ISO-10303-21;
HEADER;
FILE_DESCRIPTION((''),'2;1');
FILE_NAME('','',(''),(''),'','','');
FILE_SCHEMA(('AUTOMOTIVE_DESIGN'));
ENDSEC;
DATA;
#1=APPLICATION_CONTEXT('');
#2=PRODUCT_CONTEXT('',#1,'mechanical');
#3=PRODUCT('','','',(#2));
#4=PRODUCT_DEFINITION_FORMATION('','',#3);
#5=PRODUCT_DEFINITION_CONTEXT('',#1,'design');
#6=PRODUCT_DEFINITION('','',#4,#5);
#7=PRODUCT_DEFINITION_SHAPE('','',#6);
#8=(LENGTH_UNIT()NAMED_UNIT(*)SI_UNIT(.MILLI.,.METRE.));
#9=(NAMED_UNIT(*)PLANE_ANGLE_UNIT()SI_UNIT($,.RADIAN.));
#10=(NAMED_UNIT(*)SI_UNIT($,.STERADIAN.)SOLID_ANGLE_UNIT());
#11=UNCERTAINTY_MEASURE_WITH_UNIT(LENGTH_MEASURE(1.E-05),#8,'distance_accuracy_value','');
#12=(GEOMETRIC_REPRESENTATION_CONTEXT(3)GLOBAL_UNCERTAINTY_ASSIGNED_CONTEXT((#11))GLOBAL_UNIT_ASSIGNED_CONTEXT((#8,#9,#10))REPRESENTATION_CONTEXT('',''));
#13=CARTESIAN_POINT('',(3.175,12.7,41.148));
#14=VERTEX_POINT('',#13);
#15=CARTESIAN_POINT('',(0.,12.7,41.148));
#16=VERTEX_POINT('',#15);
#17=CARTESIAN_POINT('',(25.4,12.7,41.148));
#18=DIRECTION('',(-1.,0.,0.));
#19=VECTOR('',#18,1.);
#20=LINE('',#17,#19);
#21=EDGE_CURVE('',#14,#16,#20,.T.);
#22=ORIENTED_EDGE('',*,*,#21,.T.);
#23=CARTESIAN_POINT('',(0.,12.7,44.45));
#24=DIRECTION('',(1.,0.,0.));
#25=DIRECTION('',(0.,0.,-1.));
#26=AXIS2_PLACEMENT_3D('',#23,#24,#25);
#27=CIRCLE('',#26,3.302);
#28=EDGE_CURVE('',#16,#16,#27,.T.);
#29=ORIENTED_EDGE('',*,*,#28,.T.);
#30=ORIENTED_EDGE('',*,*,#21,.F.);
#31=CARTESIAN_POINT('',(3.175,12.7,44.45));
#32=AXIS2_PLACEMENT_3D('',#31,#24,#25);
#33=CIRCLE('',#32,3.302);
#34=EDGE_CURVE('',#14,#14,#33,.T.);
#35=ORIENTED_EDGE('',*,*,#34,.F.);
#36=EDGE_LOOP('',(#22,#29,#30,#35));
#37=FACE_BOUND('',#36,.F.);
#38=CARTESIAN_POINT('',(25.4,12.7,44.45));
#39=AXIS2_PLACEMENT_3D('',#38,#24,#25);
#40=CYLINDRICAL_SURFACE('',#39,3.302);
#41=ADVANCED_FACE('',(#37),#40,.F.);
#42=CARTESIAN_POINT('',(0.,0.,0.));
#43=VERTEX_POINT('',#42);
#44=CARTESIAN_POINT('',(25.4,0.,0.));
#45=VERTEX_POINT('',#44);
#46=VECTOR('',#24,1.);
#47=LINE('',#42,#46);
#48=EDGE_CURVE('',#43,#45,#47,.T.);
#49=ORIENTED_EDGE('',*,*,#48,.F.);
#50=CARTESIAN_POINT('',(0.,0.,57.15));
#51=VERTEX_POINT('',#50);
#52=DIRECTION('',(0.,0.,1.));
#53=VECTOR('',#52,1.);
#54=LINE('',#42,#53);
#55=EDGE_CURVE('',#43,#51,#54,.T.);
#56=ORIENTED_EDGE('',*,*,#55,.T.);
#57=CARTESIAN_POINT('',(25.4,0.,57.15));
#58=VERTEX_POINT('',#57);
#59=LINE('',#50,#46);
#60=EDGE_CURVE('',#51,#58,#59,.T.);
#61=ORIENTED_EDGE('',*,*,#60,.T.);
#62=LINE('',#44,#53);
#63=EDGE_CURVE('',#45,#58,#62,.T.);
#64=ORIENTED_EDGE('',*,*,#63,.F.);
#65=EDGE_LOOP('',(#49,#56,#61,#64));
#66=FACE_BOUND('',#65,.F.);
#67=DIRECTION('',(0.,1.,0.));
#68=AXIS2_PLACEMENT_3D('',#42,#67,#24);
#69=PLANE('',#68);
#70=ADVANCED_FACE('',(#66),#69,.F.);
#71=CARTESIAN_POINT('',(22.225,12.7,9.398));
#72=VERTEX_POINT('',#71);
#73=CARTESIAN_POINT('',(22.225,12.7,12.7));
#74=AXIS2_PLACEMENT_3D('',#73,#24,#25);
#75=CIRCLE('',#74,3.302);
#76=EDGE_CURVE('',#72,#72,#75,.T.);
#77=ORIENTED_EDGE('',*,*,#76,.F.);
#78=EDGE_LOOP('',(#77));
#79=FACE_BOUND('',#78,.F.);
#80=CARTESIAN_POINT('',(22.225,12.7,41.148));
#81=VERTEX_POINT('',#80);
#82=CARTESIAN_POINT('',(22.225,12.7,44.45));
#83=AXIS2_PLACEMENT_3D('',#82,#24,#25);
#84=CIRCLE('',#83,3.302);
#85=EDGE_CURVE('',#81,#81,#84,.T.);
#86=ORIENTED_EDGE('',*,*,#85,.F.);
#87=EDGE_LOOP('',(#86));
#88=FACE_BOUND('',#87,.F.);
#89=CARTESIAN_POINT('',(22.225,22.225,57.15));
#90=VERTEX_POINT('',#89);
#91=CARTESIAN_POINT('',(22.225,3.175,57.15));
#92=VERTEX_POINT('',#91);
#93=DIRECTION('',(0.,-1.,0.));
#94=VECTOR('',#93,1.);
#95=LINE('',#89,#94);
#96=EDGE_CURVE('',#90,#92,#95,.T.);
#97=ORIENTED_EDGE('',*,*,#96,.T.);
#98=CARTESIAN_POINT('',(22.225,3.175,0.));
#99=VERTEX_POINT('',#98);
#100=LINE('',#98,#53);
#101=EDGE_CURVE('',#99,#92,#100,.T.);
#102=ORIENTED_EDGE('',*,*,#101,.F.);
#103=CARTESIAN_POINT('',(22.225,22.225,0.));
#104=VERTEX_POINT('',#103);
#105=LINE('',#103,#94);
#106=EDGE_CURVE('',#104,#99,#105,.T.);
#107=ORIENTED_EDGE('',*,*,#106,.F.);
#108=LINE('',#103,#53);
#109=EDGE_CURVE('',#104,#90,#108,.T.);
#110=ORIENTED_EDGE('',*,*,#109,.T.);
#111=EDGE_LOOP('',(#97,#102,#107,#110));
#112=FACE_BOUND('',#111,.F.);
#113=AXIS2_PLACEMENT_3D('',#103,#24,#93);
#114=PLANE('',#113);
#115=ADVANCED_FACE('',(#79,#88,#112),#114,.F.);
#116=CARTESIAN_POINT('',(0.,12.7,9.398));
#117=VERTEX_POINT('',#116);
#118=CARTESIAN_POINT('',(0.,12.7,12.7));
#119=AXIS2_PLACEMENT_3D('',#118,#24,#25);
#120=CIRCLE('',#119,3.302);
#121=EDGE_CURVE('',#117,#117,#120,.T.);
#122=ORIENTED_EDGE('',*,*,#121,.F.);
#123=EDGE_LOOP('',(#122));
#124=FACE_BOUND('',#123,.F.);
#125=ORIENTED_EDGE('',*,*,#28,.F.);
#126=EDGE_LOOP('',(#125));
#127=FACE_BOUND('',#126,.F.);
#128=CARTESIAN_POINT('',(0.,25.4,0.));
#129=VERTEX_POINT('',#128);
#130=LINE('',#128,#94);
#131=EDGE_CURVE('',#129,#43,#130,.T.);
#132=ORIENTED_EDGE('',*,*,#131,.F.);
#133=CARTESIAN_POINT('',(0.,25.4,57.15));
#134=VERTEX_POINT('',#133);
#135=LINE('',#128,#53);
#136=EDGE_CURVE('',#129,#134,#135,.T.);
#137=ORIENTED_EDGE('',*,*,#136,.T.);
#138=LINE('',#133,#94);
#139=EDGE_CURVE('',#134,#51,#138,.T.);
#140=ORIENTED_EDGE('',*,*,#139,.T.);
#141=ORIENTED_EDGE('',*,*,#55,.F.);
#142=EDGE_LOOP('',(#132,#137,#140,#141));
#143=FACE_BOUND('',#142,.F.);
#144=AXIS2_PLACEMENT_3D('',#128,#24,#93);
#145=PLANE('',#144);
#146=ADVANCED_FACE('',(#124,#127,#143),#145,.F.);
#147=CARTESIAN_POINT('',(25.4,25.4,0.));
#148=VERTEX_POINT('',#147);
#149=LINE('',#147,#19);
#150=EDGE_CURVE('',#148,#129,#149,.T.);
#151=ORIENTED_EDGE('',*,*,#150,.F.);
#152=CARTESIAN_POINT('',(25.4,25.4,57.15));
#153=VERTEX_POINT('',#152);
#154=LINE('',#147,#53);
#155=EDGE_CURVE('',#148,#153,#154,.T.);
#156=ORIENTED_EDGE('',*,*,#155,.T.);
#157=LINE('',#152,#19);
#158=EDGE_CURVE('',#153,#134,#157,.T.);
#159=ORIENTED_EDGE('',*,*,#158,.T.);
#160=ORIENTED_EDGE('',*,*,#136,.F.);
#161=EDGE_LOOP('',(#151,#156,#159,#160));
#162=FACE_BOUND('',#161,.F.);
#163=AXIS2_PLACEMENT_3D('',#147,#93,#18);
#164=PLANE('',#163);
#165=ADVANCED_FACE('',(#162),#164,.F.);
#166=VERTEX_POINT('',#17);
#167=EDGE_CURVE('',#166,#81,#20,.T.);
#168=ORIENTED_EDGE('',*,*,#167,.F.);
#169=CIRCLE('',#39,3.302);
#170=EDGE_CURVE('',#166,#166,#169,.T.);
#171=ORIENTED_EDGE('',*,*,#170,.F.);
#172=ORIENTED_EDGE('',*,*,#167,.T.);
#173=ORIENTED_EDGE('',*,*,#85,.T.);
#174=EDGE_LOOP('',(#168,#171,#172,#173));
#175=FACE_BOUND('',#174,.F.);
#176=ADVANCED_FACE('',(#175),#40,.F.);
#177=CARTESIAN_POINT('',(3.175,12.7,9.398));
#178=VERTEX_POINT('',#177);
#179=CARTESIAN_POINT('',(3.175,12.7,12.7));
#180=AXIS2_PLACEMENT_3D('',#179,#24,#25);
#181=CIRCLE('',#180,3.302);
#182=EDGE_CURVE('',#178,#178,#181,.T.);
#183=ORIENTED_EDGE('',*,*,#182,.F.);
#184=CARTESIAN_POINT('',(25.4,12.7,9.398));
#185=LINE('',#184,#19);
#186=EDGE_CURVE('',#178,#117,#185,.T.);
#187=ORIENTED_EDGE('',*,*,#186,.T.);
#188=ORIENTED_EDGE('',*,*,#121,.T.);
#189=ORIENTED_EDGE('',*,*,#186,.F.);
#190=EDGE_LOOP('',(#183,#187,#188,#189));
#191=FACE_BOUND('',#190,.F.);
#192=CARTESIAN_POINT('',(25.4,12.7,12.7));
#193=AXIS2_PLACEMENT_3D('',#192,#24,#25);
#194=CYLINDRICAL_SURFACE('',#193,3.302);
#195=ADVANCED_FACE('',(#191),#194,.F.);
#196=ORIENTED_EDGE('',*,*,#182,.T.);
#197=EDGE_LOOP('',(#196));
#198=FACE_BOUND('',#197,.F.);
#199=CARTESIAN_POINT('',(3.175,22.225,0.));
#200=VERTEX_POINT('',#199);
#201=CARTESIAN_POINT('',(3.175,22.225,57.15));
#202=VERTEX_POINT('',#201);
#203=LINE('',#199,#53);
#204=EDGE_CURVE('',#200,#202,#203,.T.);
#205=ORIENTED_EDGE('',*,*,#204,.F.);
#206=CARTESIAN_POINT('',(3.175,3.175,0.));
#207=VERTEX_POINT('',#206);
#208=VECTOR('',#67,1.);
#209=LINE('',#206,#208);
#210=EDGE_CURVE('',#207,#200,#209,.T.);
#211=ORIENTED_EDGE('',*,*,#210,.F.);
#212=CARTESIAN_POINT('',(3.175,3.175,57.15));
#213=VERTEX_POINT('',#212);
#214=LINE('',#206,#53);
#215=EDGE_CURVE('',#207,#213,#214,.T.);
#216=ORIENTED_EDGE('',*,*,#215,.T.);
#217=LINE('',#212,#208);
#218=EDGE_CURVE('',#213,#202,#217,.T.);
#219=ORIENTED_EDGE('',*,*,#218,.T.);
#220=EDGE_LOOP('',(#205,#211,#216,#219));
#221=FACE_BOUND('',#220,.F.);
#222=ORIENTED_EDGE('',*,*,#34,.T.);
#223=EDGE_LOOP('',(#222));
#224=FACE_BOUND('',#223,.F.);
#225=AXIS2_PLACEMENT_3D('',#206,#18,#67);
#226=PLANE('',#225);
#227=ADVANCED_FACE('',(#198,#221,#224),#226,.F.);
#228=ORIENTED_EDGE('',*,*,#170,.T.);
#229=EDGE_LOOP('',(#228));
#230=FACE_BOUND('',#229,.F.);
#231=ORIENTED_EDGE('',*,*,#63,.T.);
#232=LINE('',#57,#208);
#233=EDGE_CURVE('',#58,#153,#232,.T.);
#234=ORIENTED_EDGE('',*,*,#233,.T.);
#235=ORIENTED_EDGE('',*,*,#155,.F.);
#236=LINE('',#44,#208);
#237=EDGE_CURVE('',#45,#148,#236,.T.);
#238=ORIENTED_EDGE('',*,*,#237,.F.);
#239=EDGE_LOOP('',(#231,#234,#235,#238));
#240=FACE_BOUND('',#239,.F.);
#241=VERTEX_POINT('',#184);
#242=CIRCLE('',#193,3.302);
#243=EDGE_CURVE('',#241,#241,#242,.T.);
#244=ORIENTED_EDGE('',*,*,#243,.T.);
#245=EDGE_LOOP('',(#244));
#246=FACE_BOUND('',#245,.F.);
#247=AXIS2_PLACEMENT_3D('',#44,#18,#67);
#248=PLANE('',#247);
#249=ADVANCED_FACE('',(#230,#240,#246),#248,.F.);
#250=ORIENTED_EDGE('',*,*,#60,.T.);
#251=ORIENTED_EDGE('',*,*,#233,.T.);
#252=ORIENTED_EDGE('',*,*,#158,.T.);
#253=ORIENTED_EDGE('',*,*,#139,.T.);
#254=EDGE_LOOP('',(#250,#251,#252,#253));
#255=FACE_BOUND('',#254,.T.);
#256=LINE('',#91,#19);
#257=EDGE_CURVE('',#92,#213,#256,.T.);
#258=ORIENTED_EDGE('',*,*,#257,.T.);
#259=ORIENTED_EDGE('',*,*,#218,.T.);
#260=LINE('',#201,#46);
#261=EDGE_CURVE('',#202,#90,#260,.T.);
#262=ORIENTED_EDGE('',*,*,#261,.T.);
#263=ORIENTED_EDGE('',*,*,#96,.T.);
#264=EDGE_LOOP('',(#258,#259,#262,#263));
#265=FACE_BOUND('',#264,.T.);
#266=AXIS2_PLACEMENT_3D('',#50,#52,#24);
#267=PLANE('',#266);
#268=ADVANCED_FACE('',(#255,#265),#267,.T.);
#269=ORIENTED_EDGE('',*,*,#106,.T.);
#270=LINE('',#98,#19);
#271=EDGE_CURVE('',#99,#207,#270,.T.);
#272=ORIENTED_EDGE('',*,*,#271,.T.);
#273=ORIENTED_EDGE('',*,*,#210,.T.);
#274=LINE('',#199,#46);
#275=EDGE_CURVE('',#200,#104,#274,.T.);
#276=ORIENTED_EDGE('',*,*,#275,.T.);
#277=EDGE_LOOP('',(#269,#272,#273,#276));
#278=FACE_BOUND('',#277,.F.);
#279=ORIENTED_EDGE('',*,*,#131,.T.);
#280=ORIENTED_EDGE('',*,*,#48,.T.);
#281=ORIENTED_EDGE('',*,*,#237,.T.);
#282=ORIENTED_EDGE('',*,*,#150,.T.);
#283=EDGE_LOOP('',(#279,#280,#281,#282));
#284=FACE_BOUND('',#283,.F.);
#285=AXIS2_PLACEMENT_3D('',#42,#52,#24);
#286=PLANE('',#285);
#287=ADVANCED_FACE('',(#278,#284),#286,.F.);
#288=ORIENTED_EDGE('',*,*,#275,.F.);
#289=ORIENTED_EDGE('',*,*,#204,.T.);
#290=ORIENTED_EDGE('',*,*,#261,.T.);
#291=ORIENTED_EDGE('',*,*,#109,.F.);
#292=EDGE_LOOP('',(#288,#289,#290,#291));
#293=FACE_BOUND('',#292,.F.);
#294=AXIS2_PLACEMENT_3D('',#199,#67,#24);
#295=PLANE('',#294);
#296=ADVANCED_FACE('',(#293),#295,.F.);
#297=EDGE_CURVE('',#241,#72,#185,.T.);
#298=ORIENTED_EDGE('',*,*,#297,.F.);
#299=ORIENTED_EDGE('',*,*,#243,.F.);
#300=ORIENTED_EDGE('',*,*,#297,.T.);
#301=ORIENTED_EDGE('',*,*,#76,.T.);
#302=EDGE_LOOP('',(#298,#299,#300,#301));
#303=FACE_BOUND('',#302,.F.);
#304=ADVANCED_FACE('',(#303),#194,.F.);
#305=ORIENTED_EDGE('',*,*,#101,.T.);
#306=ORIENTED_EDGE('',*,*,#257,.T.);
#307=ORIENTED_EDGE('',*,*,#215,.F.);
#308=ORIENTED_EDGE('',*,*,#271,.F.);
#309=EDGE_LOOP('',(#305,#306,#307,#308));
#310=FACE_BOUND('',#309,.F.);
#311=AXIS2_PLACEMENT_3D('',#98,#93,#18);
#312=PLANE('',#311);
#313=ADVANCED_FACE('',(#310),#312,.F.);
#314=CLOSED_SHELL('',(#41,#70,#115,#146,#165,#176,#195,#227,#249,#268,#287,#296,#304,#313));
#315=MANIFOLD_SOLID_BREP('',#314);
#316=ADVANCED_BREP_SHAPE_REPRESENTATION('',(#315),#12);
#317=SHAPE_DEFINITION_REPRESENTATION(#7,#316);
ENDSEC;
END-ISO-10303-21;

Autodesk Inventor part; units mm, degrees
ref_plane "YZ Plane" through (0, 0, 0) normal (1, 0, 0) x (0, 1, 0)
ref_plane "XZ Plane" through (0, 0, 0) normal (0, 1, 0) x (-1, 0, 0)
ref_plane "XY Plane" through (0, 0, 0) normal (0, 0, 1) x (1, 0, 0)
sketch "Sketch1" plane through (0, 0, 0) normal (0, 0, 1) x (1, 0, 0)
  line L0 (0, 0) -> (25.4, 0)
  line L1 (25.4, 0) -> (25.4, 25.4)
  line L2 (25.4, 25.4) -> (0, 25.4)
  line L3 (0, 25.4) -> (0, 0)
  line L4 (3.175, 22.225) -> (22.225, 22.225)
  line L5 (22.225, 22.225) -> (22.225, 3.175)
  line L6 (22.225, 3.175) -> (3.175, 3.175)
  line L7 (3.175, 3.175) -> (3.175, 22.225)
  dimension "d0" = 25.4
  dimension "d1" = 25.4
  dimension "d2" = 3.175
extrude "Extrusion1" add sketch "Sketch1" along normal blind 57.15
sketch "Sketch2" plane through (25.4, 0, 0) normal (1, 0, 0) x (0, 0, -1)
  line L0 (0, 0) -> (0, 25.4) projected
  line L1 (-57.15, 0) -> (-57.15, 25.4) projected
  circle A0 centre (-12.7, 12.7) radius 3.302
  circle A1 centre (-44.45, 12.7) radius 3.302
  line L2 (-57.15, 12.7) -> (0, 12.7) construction
  dimension "d5" = 31.75
  dimension "d7" = 12.7
  dimension "d8" = 6.604
extrude "Extrusion2" cut sketch "Sketch2" against normal through all
properties part number "Chassis Part 11 (26x28)" material "Aluminum 6061"
